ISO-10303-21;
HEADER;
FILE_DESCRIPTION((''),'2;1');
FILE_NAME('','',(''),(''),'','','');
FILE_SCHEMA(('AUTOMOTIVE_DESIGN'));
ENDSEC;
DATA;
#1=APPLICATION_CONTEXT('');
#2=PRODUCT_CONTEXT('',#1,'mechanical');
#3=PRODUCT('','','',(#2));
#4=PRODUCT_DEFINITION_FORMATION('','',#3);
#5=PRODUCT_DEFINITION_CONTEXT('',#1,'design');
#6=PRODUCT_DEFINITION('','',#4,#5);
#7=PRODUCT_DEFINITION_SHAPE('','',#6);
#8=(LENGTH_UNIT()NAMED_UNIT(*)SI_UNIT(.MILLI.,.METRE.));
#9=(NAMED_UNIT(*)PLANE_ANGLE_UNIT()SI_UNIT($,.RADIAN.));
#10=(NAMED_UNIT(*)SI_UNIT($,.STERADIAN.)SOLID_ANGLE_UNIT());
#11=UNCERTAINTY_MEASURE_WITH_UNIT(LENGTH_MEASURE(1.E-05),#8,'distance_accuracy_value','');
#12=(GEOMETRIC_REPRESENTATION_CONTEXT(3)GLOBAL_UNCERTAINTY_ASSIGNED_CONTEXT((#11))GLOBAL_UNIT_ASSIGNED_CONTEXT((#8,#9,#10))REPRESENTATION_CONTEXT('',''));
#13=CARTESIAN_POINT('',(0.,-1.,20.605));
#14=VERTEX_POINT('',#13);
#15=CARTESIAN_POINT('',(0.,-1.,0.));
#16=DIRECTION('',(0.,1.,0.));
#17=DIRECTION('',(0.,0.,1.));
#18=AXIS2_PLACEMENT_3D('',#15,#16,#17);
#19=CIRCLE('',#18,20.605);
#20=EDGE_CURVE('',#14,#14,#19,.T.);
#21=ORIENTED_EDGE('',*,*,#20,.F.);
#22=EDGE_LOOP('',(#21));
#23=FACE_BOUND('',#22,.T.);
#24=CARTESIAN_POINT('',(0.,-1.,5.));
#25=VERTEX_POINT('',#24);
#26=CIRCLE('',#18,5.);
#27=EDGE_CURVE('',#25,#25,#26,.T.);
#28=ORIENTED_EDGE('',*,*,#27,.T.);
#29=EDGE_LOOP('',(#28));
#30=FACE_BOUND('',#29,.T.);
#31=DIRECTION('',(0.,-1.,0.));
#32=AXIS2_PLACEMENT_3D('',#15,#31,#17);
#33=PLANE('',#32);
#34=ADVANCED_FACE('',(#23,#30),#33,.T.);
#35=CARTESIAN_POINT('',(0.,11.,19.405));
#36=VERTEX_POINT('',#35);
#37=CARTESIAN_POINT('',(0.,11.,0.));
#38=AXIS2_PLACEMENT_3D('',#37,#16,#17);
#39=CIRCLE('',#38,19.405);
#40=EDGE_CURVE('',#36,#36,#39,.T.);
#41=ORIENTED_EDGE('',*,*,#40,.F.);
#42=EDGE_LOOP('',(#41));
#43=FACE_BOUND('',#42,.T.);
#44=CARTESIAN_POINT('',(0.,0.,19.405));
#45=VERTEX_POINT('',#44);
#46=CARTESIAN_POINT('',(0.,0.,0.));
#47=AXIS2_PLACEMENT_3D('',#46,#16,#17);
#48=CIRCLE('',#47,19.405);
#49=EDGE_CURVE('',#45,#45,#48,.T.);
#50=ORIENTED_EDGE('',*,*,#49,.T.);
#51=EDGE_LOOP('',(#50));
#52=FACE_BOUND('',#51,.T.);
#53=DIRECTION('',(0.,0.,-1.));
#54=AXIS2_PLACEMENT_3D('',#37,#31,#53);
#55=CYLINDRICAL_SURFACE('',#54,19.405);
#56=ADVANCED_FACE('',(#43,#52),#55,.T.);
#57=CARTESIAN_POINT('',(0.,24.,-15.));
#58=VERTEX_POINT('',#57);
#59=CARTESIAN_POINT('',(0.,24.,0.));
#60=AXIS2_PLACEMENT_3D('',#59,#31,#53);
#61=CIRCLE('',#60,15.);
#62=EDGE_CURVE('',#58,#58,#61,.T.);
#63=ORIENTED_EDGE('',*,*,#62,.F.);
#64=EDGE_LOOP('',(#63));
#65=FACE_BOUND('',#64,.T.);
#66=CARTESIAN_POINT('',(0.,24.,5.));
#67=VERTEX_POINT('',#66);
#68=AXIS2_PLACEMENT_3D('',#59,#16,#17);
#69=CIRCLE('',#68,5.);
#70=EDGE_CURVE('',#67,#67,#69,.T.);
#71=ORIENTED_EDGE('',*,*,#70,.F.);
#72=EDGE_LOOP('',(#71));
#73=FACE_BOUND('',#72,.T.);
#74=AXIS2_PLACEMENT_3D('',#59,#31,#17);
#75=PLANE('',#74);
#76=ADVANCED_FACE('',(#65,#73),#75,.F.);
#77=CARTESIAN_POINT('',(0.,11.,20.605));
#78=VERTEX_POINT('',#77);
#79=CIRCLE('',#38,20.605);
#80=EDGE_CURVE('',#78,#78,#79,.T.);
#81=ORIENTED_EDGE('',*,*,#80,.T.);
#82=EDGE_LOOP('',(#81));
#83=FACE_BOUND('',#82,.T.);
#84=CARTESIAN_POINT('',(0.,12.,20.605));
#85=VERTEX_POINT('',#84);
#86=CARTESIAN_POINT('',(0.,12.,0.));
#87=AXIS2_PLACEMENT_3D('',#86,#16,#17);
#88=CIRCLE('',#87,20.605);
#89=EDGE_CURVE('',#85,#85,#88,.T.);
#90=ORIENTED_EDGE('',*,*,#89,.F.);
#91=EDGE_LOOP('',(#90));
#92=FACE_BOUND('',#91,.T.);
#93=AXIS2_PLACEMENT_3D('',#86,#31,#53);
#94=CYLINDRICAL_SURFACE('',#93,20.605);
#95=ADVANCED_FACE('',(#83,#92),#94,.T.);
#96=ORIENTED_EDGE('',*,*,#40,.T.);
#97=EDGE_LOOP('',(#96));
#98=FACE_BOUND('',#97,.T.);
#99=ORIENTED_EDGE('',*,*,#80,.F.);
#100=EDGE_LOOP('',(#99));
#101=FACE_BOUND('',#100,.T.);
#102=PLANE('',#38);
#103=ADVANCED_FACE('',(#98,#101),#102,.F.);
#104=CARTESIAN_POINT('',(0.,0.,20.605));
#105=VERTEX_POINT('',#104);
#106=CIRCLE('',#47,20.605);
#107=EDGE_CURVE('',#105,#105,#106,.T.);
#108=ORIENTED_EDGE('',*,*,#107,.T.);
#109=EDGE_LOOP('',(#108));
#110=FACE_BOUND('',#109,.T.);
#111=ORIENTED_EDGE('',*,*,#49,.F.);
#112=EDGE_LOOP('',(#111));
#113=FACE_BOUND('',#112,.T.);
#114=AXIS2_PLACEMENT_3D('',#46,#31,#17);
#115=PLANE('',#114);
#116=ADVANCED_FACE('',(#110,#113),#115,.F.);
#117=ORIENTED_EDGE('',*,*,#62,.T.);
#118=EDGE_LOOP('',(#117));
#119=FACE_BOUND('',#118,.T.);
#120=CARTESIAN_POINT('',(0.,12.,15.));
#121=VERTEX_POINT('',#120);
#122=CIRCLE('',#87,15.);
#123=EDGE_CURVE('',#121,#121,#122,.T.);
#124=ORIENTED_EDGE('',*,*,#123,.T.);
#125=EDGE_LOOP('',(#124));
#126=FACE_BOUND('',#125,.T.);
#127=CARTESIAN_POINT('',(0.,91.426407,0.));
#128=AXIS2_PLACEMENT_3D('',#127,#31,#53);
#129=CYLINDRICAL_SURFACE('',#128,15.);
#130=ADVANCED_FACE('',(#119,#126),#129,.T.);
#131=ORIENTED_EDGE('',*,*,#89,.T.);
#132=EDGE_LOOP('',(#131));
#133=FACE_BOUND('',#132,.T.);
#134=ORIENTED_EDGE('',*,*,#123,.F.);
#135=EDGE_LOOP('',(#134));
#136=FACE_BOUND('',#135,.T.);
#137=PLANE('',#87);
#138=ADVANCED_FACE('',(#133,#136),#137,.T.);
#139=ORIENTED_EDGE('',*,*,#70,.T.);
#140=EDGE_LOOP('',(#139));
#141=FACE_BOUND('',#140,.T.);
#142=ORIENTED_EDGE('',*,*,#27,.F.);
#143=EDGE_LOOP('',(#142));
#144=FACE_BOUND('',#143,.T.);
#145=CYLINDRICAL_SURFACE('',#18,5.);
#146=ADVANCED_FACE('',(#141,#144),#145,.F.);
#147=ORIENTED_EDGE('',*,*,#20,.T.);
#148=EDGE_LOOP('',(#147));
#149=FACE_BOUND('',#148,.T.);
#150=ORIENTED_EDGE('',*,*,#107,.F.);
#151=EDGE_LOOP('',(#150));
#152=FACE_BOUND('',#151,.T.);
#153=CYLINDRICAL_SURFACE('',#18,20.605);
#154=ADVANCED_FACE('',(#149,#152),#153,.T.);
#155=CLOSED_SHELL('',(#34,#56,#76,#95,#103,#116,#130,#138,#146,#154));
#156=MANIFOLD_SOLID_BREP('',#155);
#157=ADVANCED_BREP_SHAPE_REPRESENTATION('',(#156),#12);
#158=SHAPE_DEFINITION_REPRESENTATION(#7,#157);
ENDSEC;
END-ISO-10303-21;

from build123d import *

# Parameters (mm, degrees)
SKETCH_1_R          = 19.405
EXTRUDE_1_DEPTH     = 11
SKETCH_2_R          = 20.605
EXTRUDE_2_DEPTH     = 1
SKETCH_3_R          = 15
EXTRUDE_3_DEPTH     = 12
SKETCH_4_R          = 5
CUT_EXTRUDE_1_DEPTH = 39.39442733


with BuildPart() as part:
    # 草图1 → 凸台-拉伸1 (new body)
    with BuildSketch(Plane(origin=(0, 0, 0), x_dir=(1, 0, 0), z_dir=(0, 1, 0))):
        with Locations(Location((0, 0, 0), (0, 0, 270))):
            Circle(SKETCH_1_R)
    extrude(amount=EXTRUDE_1_DEPTH)

    # 草图2 → 凸台-拉伸2 (add)
    with BuildSketch(Plane(origin=(0, 11, 0), x_dir=(1, 0, 0), z_dir=(0, 1, 0))):
        with Locations(Location((0, 0, 0), (0, 0, 270))):
            Circle(SKETCH_2_R)
    extrude_2 = extrude(amount=EXTRUDE_2_DEPTH)

    # 镜向1: 凸台-拉伸2 across plane
    add(extrude_2.mirror(Plane.ZX.offset(5.5)))

    # 草图3 → 凸台-拉伸3 (add)
    with BuildSketch(Plane(origin=(0, 12, 0), x_dir=(1, 0, 0), z_dir=(0, 1, 0))):
        with Locations(Location((0, 0, 0), (0, 0, 90))):
            Circle(SKETCH_3_R)
    extrude(amount=EXTRUDE_3_DEPTH)

    # 草图4 → 切除-拉伸1 (cut, through all)
    with BuildSketch(Plane(origin=(0, 24, 0), x_dir=(1, 0, 0), z_dir=(0, 1, 0))):
        with Locations(Location((0, 0, 0), (0, 0, 270))):
            Circle(SKETCH_4_R)
    extrude(amount=-CUT_EXTRUDE_1_DEPTH, mode=Mode.SUBTRACT)


solid = part.part
